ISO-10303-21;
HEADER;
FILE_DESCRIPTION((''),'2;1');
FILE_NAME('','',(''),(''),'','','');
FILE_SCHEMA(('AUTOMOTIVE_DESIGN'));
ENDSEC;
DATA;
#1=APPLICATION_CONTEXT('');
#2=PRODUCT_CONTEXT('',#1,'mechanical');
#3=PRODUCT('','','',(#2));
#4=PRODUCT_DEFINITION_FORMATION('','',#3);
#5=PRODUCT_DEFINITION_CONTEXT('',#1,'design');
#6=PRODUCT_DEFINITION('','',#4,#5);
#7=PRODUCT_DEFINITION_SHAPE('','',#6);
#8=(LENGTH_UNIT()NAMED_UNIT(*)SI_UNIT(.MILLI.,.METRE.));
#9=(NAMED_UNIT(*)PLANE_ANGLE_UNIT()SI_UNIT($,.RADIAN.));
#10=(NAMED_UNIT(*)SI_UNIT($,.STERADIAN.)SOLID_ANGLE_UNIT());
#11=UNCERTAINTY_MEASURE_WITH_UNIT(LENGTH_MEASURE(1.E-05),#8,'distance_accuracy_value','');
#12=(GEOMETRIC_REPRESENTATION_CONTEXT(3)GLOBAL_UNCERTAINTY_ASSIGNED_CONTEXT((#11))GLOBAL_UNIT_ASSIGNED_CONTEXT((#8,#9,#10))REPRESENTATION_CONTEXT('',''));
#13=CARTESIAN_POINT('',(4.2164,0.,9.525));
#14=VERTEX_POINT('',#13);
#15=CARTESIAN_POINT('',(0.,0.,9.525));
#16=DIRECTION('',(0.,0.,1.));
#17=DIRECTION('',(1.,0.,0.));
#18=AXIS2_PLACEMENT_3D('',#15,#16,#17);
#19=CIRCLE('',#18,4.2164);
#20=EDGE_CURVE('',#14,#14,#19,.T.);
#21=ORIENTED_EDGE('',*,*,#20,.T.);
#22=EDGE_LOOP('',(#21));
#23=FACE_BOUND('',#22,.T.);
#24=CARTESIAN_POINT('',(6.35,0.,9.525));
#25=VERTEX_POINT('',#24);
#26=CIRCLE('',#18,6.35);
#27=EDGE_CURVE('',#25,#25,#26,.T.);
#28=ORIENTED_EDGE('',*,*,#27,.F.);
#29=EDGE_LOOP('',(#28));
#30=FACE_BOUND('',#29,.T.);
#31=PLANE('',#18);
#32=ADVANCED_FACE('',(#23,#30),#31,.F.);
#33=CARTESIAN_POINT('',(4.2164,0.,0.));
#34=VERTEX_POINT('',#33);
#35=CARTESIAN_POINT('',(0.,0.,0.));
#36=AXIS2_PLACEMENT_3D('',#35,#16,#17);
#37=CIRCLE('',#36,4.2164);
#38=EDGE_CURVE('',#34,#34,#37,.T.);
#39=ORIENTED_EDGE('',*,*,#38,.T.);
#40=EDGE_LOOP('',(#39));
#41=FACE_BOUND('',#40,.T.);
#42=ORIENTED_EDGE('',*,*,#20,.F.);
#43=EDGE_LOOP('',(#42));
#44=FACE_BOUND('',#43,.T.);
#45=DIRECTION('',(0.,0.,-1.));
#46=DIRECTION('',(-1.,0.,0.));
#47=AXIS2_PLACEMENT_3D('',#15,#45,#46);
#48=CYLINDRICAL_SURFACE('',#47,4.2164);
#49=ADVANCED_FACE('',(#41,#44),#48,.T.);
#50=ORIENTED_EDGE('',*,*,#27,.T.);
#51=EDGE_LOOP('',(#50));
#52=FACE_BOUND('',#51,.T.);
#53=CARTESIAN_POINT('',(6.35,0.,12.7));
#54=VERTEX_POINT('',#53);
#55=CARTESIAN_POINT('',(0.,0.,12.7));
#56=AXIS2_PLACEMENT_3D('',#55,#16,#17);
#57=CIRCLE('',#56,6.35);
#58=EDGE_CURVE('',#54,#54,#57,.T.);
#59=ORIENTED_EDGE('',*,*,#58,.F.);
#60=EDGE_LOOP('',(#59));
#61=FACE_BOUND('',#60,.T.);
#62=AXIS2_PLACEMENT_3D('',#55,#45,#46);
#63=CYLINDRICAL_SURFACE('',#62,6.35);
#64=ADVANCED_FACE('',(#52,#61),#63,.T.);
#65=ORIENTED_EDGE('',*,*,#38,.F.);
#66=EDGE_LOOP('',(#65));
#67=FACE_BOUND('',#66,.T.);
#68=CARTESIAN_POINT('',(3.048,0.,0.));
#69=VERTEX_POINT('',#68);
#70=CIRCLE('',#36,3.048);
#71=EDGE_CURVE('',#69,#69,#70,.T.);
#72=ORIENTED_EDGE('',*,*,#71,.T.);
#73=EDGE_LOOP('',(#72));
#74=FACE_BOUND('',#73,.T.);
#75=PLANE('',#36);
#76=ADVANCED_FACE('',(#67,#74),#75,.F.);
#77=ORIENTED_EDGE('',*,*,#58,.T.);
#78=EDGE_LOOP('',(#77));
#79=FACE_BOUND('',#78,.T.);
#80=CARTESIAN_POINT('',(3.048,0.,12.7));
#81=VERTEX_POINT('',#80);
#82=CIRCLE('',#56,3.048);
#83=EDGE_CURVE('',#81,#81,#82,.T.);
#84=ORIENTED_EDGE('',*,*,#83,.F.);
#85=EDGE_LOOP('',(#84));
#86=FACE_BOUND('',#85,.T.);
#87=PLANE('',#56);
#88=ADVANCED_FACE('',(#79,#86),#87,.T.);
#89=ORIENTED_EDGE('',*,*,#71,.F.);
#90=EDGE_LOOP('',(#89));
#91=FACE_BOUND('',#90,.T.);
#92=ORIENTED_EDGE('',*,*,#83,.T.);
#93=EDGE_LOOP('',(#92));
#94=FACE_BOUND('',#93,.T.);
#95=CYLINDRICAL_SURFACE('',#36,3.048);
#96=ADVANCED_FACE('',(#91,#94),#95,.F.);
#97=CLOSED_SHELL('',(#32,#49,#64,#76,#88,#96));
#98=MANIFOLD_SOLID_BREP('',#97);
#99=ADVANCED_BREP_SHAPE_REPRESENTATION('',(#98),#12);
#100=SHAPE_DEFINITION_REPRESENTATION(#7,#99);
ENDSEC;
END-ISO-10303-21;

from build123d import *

# Parameters (mm, degrees)
SKETCH1_R           = 4.2164
BOSS_EXTRUDE1_DEPTH = 9.525
SKETCH2_R           = 6.35
BOSS_EXTRUDE2_DEPTH = 3.175
SKETCH3_R           = 3.048
CUT_EXTRUDE1_DEPTH  = 13.7


with BuildPart() as part:
    # Sketch1 → Boss-Extrude1 (new body)
    with BuildSketch(Plane.XY):
        Circle(SKETCH1_R)
    extrude(amount=BOSS_EXTRUDE1_DEPTH)

    # Sketch2 → Boss-Extrude2 (add)
    with BuildSketch(Plane.XY.offset(9.525)):
        Circle(SKETCH2_R)
    extrude(amount=BOSS_EXTRUDE2_DEPTH)

    # Sketch3 → Cut-Extrude1 (cut, through all)
    with BuildSketch(Plane.XY.offset(12.7)):
        Circle(SKETCH3_R)
    extrude(amount=-CUT_EXTRUDE1_DEPTH, mode=Mode.SUBTRACT)


solid = part.part
